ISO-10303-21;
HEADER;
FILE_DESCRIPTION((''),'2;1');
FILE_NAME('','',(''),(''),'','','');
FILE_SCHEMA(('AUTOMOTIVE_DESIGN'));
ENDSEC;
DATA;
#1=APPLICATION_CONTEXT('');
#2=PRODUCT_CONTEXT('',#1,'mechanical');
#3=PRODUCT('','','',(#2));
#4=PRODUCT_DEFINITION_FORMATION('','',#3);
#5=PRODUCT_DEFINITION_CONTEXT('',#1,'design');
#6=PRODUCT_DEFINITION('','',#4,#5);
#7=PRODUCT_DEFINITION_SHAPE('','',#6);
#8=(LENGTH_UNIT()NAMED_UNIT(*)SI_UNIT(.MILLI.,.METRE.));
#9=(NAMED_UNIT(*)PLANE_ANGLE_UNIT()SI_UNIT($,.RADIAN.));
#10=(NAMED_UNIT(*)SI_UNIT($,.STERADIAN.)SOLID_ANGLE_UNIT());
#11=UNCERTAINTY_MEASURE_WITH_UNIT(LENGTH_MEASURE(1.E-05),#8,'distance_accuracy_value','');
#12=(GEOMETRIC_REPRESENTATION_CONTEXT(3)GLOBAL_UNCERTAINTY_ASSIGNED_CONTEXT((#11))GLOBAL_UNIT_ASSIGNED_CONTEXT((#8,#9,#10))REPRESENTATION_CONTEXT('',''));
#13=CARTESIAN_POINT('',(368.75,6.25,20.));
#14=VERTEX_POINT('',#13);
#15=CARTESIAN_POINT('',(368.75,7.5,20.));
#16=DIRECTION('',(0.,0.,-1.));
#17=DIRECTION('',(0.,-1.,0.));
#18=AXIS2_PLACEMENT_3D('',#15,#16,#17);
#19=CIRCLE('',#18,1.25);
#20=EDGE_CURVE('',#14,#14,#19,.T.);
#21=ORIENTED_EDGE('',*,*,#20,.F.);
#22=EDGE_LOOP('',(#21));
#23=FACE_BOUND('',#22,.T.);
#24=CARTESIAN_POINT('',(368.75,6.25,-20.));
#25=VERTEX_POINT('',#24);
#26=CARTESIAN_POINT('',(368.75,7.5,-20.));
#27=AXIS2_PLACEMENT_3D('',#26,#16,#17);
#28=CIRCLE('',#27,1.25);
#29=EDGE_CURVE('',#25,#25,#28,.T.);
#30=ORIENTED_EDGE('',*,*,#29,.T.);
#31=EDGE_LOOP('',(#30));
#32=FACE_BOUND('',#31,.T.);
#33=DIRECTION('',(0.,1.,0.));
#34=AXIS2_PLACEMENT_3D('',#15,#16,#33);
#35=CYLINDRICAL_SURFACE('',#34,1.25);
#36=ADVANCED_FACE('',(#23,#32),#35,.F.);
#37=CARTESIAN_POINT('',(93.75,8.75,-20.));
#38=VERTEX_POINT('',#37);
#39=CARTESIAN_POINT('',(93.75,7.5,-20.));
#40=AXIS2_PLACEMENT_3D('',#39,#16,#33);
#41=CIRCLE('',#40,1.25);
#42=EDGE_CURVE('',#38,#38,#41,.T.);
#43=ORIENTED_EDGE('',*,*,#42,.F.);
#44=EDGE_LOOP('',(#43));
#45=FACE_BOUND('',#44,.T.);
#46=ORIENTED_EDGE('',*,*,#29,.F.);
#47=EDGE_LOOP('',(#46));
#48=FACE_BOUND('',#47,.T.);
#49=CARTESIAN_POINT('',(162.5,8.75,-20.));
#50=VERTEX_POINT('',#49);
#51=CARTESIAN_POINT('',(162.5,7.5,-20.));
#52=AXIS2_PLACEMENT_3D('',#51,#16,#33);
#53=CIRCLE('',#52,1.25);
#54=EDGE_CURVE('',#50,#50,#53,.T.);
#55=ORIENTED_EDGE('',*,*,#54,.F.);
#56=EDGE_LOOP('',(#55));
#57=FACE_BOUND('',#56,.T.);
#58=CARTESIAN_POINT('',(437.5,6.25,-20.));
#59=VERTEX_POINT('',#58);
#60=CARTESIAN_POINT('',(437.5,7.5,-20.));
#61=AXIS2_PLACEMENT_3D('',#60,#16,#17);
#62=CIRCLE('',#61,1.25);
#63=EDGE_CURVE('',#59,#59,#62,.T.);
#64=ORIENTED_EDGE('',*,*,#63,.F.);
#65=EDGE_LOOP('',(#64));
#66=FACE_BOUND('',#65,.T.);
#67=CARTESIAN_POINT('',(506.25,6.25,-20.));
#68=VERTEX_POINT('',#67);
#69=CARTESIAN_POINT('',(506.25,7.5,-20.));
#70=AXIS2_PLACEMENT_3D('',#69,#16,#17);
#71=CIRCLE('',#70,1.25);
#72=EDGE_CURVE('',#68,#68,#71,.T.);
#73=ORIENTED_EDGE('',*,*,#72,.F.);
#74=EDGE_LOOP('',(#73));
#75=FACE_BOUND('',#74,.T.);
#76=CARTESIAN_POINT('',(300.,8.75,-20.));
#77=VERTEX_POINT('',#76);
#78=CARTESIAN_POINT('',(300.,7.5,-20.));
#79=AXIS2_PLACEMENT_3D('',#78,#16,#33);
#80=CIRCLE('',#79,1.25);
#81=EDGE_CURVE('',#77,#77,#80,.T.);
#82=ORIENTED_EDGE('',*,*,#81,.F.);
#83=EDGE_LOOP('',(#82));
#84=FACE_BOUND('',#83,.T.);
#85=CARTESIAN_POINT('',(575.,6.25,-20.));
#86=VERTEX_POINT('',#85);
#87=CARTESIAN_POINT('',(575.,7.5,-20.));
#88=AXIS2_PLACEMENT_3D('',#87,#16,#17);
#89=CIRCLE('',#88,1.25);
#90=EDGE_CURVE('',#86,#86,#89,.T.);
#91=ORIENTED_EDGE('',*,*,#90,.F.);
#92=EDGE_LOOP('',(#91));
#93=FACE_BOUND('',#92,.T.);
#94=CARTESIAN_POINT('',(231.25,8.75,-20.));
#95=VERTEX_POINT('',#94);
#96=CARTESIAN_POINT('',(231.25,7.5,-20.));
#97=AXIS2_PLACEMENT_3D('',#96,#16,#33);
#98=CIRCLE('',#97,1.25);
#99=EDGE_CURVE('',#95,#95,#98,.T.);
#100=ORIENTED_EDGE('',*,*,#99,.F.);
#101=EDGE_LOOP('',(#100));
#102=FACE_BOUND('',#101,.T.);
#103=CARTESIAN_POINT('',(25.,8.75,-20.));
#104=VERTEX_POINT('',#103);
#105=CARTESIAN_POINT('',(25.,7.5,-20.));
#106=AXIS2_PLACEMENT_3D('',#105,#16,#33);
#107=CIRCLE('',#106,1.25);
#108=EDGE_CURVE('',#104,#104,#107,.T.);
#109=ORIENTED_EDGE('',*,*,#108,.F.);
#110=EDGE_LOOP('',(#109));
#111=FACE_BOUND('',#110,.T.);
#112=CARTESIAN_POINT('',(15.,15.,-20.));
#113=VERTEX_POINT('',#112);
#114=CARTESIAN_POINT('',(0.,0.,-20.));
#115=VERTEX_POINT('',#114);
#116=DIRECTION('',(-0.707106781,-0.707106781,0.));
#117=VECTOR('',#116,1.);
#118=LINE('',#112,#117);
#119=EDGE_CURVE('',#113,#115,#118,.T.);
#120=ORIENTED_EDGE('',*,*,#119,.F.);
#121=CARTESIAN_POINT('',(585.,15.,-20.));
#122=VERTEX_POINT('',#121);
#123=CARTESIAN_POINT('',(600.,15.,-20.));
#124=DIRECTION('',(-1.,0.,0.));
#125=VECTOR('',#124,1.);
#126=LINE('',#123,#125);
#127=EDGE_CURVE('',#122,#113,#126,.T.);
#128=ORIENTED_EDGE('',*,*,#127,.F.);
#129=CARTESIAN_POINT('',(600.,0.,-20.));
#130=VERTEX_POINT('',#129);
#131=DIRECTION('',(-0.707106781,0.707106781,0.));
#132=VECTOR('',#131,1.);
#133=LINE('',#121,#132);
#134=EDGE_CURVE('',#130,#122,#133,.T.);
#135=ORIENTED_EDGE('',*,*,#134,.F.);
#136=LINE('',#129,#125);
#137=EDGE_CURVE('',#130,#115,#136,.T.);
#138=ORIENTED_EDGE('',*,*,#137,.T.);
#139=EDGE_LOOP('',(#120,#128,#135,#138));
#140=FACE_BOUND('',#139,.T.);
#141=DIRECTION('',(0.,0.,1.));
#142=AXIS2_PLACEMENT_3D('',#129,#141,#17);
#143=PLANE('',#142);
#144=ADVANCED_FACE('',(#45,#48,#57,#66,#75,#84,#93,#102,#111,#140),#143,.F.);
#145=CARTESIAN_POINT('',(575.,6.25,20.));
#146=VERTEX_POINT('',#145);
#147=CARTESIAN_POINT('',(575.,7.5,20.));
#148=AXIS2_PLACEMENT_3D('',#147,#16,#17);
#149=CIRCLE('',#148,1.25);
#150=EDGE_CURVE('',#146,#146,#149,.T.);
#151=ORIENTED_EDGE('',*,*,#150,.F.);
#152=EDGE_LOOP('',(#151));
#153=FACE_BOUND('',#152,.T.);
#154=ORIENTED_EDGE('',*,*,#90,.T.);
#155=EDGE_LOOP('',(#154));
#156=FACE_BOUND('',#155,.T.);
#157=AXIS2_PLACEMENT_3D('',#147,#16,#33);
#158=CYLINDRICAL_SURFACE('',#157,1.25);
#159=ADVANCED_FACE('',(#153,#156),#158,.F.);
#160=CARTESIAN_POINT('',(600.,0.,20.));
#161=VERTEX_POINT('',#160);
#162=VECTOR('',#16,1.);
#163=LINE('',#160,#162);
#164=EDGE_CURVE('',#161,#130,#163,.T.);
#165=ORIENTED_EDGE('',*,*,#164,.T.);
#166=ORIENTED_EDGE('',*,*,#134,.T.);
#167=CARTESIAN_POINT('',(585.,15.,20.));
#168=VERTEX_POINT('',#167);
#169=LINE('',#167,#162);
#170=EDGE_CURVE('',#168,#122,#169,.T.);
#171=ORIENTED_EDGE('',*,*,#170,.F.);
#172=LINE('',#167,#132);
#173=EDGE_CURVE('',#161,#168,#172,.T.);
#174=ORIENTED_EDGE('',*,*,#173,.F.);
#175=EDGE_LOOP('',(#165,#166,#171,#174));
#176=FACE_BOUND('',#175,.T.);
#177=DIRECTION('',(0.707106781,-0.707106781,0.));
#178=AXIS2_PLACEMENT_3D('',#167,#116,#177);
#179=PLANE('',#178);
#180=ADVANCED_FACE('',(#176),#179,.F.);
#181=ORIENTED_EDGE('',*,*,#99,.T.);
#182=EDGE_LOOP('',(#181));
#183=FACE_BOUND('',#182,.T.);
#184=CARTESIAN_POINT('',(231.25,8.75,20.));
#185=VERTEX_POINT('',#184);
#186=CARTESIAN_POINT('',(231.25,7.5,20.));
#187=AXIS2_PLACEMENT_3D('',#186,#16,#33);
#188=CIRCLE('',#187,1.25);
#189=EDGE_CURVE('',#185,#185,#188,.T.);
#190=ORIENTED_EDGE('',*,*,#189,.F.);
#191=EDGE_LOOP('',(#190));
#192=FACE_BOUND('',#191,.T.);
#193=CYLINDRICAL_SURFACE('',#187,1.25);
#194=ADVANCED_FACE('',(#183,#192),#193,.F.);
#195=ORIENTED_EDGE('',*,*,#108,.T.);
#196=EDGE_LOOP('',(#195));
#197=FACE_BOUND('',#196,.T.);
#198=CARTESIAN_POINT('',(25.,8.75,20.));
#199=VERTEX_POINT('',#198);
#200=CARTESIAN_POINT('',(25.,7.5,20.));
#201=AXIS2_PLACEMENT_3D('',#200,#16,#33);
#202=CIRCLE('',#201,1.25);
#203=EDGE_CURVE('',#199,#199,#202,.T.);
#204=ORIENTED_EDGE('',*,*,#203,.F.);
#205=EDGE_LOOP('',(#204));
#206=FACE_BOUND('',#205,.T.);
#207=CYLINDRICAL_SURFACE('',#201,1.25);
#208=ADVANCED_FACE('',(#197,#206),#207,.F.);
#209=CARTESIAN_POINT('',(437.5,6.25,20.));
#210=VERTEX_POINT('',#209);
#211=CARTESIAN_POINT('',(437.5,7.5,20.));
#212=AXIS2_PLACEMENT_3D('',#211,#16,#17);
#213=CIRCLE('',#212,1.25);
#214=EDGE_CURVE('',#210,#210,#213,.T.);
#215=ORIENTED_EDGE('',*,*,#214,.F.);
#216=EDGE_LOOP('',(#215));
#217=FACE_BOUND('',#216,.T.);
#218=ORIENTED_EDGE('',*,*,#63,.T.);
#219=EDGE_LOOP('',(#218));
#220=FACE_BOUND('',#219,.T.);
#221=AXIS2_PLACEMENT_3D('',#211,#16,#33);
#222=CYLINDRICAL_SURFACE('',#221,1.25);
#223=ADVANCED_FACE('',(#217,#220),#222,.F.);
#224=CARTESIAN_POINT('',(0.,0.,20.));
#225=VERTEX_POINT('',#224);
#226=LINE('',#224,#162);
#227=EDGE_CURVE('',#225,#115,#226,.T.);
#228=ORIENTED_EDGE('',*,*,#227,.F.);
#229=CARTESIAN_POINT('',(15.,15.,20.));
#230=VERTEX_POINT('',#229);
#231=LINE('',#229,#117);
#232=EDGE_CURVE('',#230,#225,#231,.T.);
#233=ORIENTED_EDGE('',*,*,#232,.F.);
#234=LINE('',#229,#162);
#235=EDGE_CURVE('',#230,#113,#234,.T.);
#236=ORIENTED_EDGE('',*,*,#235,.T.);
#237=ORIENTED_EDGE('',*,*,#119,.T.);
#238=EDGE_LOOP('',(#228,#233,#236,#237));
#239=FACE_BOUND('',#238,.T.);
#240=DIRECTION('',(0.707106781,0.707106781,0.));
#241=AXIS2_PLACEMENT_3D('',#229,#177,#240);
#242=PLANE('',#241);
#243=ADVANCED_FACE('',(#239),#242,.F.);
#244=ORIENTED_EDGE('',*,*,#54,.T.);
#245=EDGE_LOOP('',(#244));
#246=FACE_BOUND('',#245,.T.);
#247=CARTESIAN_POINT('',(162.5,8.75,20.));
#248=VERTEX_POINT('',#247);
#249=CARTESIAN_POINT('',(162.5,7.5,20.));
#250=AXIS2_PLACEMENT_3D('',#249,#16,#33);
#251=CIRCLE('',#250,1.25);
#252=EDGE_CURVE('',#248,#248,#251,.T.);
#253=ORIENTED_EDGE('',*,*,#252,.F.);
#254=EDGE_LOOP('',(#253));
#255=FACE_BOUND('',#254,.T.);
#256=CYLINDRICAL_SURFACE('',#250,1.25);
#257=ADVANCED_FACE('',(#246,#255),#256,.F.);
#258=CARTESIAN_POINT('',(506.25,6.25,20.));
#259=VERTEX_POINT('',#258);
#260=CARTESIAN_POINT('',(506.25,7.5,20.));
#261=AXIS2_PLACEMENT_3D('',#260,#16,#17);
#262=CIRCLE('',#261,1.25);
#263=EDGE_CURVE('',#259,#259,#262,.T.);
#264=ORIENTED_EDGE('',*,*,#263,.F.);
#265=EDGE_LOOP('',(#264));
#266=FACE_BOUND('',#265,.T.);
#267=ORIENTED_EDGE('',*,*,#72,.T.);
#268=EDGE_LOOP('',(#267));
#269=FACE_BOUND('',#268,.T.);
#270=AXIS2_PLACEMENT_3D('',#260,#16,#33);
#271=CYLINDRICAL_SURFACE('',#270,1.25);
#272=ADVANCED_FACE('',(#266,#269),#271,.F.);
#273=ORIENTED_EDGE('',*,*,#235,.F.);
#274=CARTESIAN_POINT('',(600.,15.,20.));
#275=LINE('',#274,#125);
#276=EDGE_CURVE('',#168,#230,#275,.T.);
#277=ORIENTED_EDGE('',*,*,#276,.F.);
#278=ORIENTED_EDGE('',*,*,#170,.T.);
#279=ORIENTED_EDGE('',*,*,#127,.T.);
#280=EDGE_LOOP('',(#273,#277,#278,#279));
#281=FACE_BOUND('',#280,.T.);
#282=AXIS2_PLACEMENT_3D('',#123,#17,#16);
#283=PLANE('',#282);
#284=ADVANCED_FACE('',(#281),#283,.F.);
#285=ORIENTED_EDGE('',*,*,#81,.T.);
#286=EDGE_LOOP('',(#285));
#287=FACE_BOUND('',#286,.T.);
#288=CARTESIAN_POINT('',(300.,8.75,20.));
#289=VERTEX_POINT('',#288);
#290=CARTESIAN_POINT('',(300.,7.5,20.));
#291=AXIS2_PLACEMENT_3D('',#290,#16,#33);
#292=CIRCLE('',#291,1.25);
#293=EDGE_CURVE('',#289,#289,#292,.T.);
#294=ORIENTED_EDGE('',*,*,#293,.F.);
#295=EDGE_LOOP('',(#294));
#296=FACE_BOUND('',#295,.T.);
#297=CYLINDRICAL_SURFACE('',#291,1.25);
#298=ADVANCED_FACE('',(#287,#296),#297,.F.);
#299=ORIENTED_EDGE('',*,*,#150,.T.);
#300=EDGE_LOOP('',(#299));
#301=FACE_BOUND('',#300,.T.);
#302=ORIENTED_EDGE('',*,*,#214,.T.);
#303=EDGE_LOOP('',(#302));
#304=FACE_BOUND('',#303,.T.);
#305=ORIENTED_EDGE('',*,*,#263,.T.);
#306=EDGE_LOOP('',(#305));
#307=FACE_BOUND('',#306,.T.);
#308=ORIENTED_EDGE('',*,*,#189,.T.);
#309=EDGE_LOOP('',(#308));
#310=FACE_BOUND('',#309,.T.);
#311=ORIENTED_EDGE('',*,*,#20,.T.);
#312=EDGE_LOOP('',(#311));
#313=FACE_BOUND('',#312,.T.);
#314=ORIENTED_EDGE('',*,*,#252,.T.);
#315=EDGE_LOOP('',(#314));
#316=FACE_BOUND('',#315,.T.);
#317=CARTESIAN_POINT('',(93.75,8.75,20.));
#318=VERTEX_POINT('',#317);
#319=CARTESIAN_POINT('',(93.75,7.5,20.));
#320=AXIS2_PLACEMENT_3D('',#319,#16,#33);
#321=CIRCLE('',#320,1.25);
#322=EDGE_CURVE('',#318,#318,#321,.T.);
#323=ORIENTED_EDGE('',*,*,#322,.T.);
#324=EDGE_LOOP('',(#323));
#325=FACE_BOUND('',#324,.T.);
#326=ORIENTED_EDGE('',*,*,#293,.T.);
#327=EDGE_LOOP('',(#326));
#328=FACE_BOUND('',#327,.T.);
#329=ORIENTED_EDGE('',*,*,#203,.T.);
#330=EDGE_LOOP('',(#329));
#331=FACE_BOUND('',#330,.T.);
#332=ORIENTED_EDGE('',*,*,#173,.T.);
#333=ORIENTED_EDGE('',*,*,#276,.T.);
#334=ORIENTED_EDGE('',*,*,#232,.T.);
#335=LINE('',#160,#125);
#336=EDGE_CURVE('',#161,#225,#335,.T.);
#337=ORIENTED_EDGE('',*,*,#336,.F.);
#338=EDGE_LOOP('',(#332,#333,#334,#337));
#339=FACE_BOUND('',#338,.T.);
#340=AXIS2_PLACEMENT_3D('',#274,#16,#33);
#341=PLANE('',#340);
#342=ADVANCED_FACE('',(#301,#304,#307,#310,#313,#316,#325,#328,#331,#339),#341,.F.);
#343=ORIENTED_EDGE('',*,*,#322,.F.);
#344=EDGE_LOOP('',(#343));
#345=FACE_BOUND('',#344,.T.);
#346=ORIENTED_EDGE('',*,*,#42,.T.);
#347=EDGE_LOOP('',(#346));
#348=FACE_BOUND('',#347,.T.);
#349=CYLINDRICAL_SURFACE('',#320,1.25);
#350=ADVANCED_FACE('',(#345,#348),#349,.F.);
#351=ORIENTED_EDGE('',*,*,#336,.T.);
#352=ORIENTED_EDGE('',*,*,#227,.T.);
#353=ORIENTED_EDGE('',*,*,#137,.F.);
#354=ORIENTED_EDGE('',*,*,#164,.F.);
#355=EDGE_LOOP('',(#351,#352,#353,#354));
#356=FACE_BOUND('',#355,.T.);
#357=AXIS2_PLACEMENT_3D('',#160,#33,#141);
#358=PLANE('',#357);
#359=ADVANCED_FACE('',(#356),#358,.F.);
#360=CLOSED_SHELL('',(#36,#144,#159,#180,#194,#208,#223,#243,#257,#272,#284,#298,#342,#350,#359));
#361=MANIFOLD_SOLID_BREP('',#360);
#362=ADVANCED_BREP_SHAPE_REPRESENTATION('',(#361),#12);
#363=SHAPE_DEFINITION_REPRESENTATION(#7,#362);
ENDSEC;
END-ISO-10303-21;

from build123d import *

# Parameters (mm, degrees)
SALIENTE_EXTRUIR1_DEPTH = 600
CROQUIS2_R              = 1.25
CORTAR_EXTRUIR1_DEPTH   = 41


with BuildPart() as part:
    # Croquis1 → Saliente-Extruir1 (new body)
    with BuildSketch(Plane(origin=(0, 0, 0), x_dir=(0, 0, -1), z_dir=(1, 0, 0))):
        Polygon((-20, 0), (20, 0), (20, 15), (18.5, 15), (-18.5, 15), (-20, 15), align=None)
    extrude(amount=SALIENTE_EXTRUIR1_DEPTH)

    # Croquis2 → Cortar-Extruir1 (cut, through all)
    with BuildSketch(Plane(origin=(0, 0, -20), x_dir=(-1, 0, 0), z_dir=(0, 0, -1))):
        with Locations((-25, 7.5)):
            Circle(CROQUIS2_R)
        with Locations((-93.75, 7.5)):
            Circle(CROQUIS2_R)
        with Locations((-162.5, 7.5)):
            Circle(CROQUIS2_R)
        with Locations((-231.25, 7.5)):
            Circle(CROQUIS2_R)
        with Locations((-368.75, 7.5)):
            Circle(CROQUIS2_R)
        with Locations((-437.5, 7.5)):
            Circle(CROQUIS2_R)
        with Locations((-506.25, 7.5)):
            Circle(CROQUIS2_R)
        with Locations((-575, 7.5)):
            Circle(CROQUIS2_R)
        with Locations((-300, 7.5)):
            Circle(CROQUIS2_R)
        Polygon((-600, 15), (-585, 15), (-600, 0), align=None)
        Polygon((0, 15), (-15, 15), (0, 0), align=None)
    extrude(amount=-CORTAR_EXTRUIR1_DEPTH, mode=Mode.SUBTRACT)


solid = part.part
